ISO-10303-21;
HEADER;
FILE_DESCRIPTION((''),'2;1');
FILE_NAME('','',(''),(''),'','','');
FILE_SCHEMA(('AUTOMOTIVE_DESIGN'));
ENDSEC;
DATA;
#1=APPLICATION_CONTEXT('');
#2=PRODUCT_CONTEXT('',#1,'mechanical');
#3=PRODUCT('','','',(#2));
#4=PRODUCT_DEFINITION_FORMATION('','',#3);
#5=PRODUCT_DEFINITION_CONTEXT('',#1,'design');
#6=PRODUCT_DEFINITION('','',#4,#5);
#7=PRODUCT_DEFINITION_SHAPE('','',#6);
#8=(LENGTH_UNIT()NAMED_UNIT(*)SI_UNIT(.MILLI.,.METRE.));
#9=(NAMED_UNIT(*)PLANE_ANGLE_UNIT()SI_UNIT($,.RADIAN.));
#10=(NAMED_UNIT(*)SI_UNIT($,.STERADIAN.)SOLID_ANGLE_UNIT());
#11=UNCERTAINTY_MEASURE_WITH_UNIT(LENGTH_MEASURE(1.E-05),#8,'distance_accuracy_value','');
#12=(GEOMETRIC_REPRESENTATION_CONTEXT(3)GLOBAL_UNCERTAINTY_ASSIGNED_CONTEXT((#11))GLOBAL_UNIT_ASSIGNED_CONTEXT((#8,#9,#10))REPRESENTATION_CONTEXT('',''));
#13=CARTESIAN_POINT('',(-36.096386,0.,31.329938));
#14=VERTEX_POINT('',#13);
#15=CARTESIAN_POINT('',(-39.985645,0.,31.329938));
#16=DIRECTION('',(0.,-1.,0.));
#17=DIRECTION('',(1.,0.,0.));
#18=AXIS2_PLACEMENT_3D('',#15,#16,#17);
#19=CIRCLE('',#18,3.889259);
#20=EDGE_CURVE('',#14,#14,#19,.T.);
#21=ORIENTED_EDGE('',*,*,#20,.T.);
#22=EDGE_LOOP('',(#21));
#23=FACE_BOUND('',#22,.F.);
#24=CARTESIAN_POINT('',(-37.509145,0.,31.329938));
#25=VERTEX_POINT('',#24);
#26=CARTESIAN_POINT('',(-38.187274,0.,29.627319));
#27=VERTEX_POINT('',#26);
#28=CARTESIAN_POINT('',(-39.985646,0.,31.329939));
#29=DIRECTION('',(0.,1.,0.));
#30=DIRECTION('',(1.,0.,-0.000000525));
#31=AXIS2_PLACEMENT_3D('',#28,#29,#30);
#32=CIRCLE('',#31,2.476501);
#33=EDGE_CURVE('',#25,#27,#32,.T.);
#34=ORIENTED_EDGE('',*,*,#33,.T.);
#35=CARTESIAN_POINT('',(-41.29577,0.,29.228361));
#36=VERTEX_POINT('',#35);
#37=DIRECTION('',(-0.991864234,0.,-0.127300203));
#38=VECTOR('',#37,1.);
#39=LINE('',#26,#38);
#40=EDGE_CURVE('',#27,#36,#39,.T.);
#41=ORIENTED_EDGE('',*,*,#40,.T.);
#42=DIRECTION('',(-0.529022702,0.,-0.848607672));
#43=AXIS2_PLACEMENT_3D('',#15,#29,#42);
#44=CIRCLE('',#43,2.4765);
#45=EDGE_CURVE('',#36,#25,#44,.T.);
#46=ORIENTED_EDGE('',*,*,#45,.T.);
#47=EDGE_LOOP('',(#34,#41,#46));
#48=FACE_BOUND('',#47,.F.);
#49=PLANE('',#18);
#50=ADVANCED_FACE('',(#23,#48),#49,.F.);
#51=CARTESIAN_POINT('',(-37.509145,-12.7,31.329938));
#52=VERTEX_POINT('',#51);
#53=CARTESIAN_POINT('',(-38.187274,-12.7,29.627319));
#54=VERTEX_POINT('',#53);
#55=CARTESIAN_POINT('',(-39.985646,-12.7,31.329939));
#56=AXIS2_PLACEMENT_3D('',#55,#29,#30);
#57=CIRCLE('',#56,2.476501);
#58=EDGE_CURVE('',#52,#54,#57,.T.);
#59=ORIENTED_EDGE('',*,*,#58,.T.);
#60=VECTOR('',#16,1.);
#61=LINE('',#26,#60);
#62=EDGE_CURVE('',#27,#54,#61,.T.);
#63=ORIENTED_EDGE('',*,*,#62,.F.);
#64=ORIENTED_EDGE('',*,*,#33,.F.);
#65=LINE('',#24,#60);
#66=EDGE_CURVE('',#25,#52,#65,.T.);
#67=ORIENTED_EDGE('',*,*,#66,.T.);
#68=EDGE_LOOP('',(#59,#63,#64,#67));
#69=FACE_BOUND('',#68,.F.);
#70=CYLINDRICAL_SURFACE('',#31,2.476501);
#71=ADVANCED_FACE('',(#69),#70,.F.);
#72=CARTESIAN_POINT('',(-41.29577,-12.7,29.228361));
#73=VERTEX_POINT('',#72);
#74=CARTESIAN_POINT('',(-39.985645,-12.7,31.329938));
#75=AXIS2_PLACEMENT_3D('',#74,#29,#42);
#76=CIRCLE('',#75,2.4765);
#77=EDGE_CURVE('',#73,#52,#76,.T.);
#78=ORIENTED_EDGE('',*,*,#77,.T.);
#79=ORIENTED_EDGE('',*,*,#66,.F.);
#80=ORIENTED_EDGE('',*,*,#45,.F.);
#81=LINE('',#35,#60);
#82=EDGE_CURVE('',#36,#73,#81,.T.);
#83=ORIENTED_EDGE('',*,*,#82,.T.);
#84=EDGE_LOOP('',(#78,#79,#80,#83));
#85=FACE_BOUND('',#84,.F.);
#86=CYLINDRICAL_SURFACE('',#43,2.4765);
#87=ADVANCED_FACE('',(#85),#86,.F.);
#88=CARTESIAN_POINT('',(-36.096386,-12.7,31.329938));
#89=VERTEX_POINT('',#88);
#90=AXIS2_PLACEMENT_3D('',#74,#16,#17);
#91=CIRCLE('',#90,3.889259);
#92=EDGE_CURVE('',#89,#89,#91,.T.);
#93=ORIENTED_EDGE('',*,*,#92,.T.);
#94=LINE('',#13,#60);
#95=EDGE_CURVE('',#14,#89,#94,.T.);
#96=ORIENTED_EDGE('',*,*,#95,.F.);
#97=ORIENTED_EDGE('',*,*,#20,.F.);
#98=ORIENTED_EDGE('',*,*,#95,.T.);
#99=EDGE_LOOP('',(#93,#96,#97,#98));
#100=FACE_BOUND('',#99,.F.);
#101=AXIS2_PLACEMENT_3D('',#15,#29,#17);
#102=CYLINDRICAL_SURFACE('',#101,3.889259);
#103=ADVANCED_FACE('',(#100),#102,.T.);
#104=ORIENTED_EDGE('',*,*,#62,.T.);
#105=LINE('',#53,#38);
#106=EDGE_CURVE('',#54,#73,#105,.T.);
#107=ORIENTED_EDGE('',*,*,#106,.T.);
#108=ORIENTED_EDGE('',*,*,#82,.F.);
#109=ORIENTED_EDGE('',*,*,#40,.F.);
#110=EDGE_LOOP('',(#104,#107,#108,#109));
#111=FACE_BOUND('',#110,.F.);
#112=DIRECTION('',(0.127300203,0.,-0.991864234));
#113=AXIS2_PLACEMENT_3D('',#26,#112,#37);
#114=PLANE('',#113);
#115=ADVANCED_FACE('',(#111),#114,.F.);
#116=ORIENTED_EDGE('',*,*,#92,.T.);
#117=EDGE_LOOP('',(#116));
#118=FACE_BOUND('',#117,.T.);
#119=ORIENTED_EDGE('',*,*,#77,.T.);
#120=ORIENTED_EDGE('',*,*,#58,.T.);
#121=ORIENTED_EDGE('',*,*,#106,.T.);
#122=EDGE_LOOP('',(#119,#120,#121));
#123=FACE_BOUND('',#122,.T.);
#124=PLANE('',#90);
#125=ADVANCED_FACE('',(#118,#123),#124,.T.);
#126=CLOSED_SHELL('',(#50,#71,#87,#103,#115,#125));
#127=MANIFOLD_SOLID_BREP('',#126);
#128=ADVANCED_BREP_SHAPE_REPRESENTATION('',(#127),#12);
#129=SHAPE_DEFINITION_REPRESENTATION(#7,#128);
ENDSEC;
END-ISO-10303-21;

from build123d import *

# Parameters (mm, degrees)
F0_R     = 3.889259
F1_DEPTH = 12.7


with BuildPart() as f1:
    # F0 (on Front) → F1 (new body)
    with BuildSketch(Plane.XZ):
        with Locations((-39.985645, 31.329938)):
            Circle(F0_R)
        with BuildLine():
            ThreePointArc((-41.29577, 29.228361), (-41.187421, 33.495299), (-37.509145, 31.329938))
            ThreePointArc((-37.509145, 31.329938), (-37.684915, 30.413591), (-38.187274, 29.627319))
            ThreePointArc((-38.187274, 29.627319), (-39.670387, 28.873586), (-41.29577, 29.228361))
        make_face(mode=Mode.SUBTRACT)
        with BuildLine():
            Line((-38.187274, 29.627319), (-41.29577, 29.228361))
            ThreePointArc((-41.29577, 29.228361), (-39.670387, 28.873586), (-38.187274, 29.627319))
        make_face()
    extrude(amount=F1_DEPTH)


solid = f1.part
